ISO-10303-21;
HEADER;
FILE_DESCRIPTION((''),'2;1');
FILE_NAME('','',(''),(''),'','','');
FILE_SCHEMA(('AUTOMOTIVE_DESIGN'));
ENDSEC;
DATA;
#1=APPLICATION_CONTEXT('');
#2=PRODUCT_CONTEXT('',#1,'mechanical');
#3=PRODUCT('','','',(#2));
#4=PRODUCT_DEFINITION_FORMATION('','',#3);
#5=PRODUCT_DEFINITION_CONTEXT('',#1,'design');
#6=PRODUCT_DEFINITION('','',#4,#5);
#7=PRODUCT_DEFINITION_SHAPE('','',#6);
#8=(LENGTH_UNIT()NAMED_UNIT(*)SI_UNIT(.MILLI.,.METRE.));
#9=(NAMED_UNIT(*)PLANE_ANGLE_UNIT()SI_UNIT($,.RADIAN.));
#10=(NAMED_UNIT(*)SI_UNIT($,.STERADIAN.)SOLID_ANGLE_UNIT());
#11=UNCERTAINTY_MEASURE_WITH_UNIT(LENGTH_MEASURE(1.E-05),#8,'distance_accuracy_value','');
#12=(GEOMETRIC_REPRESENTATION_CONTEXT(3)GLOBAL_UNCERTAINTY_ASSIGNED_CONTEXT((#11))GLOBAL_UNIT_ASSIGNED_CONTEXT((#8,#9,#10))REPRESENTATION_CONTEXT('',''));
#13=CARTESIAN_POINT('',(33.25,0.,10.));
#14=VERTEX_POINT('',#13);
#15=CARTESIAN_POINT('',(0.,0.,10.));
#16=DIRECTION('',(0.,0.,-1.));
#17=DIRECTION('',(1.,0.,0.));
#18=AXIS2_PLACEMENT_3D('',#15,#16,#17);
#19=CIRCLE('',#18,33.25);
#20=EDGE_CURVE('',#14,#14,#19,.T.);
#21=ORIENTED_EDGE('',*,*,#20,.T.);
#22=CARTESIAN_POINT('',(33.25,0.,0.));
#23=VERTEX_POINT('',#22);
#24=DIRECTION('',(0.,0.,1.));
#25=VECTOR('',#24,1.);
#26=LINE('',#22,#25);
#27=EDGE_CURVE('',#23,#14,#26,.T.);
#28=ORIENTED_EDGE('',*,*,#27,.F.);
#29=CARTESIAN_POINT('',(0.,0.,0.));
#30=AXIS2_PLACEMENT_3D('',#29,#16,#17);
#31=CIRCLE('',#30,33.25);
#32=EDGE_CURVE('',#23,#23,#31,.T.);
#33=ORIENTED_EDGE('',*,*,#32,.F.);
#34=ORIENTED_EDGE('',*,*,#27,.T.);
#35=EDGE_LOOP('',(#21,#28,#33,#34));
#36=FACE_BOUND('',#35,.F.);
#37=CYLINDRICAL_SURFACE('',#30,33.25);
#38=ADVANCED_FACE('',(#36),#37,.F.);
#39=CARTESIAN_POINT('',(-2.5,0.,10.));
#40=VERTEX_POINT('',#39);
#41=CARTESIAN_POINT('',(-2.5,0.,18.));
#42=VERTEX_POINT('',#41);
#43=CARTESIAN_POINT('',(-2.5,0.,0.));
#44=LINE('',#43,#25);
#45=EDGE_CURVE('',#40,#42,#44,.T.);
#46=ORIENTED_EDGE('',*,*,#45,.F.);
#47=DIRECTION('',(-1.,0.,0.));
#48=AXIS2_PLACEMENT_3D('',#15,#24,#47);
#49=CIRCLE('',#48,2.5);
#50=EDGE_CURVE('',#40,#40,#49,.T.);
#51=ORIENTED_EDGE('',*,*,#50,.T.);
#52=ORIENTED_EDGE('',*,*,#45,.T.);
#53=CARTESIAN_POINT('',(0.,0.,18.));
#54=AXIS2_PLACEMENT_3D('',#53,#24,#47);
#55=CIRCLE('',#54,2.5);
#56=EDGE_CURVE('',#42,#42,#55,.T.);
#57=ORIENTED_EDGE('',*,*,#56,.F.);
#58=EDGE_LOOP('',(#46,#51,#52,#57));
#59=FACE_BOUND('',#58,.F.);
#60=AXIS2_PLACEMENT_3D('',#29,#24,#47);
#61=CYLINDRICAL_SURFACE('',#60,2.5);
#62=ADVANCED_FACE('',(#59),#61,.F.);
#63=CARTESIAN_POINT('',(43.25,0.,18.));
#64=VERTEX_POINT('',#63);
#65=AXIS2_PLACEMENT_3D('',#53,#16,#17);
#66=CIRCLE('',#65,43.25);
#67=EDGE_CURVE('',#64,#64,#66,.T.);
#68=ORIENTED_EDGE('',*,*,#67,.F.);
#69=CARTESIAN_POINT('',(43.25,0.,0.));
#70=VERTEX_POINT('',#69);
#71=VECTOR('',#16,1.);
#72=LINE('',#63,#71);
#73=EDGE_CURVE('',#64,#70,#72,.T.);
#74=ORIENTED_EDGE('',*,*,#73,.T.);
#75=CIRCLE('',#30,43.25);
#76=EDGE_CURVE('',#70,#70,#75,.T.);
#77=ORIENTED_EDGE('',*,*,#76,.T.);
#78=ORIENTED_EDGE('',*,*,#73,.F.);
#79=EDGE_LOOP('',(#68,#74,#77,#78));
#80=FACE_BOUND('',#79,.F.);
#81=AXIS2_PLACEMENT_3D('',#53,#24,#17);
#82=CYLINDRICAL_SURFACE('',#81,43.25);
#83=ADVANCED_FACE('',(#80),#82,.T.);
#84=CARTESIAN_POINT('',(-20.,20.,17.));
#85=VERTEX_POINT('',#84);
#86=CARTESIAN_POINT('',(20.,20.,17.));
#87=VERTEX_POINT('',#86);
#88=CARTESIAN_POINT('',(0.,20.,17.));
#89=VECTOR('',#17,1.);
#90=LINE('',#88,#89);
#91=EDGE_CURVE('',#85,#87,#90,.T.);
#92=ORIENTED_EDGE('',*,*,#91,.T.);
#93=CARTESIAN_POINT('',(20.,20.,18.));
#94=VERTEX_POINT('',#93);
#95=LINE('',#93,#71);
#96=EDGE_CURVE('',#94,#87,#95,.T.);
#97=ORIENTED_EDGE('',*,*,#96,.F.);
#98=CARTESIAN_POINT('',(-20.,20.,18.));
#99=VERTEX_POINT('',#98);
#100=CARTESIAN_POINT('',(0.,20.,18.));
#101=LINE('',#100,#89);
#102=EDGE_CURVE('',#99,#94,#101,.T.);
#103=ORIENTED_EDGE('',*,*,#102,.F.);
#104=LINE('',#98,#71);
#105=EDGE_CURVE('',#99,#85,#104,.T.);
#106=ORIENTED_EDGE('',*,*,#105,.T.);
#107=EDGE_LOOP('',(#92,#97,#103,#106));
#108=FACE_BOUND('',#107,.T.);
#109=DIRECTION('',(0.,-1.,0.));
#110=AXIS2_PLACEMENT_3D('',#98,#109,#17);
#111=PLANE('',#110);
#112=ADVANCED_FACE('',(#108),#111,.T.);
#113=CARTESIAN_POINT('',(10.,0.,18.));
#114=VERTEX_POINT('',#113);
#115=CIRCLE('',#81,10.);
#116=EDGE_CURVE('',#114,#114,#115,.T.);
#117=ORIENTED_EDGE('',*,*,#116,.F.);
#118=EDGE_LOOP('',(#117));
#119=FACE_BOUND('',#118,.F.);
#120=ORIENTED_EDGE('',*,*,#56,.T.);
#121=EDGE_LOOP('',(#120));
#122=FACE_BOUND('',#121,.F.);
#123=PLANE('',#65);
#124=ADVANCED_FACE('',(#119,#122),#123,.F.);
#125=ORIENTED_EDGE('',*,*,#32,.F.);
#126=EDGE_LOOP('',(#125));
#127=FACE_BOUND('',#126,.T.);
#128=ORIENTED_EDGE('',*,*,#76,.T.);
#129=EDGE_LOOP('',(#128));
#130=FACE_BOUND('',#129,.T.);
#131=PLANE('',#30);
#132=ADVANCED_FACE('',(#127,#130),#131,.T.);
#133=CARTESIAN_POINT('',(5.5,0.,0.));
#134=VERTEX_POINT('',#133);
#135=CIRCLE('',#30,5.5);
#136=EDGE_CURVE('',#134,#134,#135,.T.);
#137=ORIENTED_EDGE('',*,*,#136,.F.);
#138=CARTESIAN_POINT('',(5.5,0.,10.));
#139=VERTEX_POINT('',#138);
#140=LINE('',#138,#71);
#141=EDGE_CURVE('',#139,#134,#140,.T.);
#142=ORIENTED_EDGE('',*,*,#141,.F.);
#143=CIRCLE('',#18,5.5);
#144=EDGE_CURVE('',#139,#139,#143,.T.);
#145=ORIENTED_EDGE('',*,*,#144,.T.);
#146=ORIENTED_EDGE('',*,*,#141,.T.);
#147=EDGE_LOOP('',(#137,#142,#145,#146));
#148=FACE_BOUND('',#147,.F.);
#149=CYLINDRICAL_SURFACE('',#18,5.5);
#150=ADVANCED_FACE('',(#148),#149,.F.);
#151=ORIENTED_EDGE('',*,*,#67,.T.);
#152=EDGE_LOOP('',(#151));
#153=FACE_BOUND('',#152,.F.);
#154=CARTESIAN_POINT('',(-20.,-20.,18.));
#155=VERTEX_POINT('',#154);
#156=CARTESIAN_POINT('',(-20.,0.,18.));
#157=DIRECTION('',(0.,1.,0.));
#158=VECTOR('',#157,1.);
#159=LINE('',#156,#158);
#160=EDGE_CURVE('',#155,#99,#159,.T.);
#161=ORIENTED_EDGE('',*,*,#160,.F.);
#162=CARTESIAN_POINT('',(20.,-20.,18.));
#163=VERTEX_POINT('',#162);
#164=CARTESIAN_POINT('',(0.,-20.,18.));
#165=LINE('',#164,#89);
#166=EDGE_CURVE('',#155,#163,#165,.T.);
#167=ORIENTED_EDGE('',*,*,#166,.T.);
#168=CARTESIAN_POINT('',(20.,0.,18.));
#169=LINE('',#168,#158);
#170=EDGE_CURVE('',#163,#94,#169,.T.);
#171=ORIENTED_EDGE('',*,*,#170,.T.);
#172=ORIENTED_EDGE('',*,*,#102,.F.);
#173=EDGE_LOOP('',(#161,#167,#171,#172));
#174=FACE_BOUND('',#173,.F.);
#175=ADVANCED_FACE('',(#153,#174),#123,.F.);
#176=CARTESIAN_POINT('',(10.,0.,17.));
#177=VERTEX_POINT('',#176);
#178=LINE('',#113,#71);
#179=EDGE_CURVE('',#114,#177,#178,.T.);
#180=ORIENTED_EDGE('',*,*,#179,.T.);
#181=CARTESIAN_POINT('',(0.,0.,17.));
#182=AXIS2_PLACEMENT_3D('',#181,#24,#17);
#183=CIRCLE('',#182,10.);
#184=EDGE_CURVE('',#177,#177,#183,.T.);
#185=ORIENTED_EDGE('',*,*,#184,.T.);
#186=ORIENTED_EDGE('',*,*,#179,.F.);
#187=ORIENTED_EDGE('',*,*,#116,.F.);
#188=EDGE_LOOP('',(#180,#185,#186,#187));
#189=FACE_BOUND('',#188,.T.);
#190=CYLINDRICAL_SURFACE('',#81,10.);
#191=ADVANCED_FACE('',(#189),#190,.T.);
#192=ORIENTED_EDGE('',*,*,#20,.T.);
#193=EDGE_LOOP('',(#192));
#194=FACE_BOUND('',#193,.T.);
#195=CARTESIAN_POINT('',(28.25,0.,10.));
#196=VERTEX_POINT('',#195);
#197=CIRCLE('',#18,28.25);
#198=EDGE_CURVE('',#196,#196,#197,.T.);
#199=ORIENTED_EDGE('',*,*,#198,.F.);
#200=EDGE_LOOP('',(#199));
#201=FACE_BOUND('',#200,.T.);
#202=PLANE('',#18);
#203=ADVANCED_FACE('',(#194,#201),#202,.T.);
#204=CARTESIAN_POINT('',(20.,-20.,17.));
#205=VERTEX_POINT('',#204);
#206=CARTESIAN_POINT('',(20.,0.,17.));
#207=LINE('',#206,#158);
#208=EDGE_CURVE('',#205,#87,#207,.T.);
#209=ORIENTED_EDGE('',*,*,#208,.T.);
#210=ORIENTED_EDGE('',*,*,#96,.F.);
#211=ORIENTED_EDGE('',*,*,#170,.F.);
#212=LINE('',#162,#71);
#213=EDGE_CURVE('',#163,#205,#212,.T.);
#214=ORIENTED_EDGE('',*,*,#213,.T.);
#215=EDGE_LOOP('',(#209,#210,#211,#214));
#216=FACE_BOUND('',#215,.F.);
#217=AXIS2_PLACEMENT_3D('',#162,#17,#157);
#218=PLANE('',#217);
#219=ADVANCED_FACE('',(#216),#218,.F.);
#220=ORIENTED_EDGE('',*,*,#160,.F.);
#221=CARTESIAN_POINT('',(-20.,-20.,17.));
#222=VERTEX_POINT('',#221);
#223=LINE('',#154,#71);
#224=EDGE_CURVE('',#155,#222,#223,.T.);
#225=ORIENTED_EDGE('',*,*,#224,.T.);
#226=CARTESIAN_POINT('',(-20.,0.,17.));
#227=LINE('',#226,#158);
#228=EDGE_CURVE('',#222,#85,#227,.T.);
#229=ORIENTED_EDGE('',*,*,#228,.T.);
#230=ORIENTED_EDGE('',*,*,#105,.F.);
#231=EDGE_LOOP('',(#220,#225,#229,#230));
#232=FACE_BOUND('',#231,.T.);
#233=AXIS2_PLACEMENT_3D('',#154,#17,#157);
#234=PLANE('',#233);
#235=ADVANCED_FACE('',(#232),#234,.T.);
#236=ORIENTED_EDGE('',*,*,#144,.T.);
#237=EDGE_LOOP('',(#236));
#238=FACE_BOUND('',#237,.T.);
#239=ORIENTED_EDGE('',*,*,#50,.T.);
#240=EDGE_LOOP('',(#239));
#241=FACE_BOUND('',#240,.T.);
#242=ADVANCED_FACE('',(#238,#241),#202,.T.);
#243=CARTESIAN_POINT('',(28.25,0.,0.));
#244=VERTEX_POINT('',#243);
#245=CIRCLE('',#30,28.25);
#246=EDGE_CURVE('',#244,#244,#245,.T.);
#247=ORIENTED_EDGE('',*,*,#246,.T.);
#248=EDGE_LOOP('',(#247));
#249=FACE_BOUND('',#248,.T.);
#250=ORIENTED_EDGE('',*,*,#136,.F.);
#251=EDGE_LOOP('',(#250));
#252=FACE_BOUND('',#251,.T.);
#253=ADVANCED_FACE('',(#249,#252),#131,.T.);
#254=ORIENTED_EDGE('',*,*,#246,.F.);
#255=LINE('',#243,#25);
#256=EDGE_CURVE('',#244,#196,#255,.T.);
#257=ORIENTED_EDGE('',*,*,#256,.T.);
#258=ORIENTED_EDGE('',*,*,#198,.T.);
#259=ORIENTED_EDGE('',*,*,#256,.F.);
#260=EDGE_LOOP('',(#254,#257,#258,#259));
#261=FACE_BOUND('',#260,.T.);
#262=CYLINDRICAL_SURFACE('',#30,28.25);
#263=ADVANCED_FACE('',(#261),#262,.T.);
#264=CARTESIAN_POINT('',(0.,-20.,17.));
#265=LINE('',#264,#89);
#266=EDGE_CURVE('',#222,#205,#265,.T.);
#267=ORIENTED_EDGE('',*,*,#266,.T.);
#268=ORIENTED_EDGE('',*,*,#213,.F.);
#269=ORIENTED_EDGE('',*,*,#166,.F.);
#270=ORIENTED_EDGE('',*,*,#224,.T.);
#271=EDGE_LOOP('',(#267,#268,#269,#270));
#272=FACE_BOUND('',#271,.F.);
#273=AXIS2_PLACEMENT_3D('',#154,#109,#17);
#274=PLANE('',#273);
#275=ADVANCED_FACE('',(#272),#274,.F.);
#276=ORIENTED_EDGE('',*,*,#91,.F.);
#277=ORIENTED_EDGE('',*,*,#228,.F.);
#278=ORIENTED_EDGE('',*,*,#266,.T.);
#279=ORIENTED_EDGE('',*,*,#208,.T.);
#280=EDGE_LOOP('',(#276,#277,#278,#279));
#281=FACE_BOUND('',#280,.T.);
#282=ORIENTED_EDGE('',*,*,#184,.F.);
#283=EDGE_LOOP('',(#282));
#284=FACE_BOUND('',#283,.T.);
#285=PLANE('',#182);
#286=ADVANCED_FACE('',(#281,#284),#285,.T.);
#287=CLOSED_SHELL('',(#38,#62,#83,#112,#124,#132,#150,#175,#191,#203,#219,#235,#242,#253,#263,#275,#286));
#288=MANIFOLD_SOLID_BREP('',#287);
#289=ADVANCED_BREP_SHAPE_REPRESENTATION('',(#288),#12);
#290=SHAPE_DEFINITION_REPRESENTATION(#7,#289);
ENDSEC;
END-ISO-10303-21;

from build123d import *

# Parameters (mm, degrees)
SKETCH005_R              = 43.25
PAD002_DEPTH             = 18
SKETCH006_R              = 33.25
SKETCH006_R_2            = 28.25
POCKET003_DEPTH          = 10
HOLE_D                   = 5
HOLE_CBORE_D             = 11
HOLE_CBORE_DEPTH         = 10
SKETCH008_W              = 40
SKETCH008_H              = 40
SKETCH008_R              = 10
POCKET004_DEPTH          = 1
CLONE003_PLACEMENT_ANGLE = 180


with BuildPart() as part:
    # Sketch005 → Pad002 (new body)
    with BuildSketch(Plane.XY):
        Circle(SKETCH005_R)
    extrude(amount=PAD002_DEPTH)

    # Sketch006 (on Face3 of Pad002) → Pocket003 (cut)
    with BuildSketch(Plane.XY.offset(18)):
        Circle(SKETCH006_R)
        Circle(SKETCH006_R_2, mode=Mode.SUBTRACT)
    extrude(amount=-POCKET003_DEPTH, mode=Mode.SUBTRACT)

    # Hole (through all)
    with Locations(Plane.XY.offset(18)):
        with Locations((0, 0)):
            CounterBoreHole(HOLE_D / 2, HOLE_CBORE_D / 2, HOLE_CBORE_DEPTH)

    # Sketch008 (on Face2 of Hole) → Pocket004 (cut)
    with BuildSketch(Plane(origin=(0, 0, 0), x_dir=(1, 0, 0), z_dir=(0, 0, -1))):
        Rectangle(SKETCH008_W, SKETCH008_H)
        Circle(SKETCH008_R, mode=Mode.SUBTRACT)
    extrude(amount=-POCKET004_DEPTH, mode=Mode.SUBTRACT)


with BuildPart() as part_1:
    # Clone003 placement: moved
    add(part.part.moved(Location((0, 0, 18))).rotate(Axis((0, 0, 18), (1, 0, 0)), CLONE003_PLACEMENT_ANGLE))


solid = part_1.part
